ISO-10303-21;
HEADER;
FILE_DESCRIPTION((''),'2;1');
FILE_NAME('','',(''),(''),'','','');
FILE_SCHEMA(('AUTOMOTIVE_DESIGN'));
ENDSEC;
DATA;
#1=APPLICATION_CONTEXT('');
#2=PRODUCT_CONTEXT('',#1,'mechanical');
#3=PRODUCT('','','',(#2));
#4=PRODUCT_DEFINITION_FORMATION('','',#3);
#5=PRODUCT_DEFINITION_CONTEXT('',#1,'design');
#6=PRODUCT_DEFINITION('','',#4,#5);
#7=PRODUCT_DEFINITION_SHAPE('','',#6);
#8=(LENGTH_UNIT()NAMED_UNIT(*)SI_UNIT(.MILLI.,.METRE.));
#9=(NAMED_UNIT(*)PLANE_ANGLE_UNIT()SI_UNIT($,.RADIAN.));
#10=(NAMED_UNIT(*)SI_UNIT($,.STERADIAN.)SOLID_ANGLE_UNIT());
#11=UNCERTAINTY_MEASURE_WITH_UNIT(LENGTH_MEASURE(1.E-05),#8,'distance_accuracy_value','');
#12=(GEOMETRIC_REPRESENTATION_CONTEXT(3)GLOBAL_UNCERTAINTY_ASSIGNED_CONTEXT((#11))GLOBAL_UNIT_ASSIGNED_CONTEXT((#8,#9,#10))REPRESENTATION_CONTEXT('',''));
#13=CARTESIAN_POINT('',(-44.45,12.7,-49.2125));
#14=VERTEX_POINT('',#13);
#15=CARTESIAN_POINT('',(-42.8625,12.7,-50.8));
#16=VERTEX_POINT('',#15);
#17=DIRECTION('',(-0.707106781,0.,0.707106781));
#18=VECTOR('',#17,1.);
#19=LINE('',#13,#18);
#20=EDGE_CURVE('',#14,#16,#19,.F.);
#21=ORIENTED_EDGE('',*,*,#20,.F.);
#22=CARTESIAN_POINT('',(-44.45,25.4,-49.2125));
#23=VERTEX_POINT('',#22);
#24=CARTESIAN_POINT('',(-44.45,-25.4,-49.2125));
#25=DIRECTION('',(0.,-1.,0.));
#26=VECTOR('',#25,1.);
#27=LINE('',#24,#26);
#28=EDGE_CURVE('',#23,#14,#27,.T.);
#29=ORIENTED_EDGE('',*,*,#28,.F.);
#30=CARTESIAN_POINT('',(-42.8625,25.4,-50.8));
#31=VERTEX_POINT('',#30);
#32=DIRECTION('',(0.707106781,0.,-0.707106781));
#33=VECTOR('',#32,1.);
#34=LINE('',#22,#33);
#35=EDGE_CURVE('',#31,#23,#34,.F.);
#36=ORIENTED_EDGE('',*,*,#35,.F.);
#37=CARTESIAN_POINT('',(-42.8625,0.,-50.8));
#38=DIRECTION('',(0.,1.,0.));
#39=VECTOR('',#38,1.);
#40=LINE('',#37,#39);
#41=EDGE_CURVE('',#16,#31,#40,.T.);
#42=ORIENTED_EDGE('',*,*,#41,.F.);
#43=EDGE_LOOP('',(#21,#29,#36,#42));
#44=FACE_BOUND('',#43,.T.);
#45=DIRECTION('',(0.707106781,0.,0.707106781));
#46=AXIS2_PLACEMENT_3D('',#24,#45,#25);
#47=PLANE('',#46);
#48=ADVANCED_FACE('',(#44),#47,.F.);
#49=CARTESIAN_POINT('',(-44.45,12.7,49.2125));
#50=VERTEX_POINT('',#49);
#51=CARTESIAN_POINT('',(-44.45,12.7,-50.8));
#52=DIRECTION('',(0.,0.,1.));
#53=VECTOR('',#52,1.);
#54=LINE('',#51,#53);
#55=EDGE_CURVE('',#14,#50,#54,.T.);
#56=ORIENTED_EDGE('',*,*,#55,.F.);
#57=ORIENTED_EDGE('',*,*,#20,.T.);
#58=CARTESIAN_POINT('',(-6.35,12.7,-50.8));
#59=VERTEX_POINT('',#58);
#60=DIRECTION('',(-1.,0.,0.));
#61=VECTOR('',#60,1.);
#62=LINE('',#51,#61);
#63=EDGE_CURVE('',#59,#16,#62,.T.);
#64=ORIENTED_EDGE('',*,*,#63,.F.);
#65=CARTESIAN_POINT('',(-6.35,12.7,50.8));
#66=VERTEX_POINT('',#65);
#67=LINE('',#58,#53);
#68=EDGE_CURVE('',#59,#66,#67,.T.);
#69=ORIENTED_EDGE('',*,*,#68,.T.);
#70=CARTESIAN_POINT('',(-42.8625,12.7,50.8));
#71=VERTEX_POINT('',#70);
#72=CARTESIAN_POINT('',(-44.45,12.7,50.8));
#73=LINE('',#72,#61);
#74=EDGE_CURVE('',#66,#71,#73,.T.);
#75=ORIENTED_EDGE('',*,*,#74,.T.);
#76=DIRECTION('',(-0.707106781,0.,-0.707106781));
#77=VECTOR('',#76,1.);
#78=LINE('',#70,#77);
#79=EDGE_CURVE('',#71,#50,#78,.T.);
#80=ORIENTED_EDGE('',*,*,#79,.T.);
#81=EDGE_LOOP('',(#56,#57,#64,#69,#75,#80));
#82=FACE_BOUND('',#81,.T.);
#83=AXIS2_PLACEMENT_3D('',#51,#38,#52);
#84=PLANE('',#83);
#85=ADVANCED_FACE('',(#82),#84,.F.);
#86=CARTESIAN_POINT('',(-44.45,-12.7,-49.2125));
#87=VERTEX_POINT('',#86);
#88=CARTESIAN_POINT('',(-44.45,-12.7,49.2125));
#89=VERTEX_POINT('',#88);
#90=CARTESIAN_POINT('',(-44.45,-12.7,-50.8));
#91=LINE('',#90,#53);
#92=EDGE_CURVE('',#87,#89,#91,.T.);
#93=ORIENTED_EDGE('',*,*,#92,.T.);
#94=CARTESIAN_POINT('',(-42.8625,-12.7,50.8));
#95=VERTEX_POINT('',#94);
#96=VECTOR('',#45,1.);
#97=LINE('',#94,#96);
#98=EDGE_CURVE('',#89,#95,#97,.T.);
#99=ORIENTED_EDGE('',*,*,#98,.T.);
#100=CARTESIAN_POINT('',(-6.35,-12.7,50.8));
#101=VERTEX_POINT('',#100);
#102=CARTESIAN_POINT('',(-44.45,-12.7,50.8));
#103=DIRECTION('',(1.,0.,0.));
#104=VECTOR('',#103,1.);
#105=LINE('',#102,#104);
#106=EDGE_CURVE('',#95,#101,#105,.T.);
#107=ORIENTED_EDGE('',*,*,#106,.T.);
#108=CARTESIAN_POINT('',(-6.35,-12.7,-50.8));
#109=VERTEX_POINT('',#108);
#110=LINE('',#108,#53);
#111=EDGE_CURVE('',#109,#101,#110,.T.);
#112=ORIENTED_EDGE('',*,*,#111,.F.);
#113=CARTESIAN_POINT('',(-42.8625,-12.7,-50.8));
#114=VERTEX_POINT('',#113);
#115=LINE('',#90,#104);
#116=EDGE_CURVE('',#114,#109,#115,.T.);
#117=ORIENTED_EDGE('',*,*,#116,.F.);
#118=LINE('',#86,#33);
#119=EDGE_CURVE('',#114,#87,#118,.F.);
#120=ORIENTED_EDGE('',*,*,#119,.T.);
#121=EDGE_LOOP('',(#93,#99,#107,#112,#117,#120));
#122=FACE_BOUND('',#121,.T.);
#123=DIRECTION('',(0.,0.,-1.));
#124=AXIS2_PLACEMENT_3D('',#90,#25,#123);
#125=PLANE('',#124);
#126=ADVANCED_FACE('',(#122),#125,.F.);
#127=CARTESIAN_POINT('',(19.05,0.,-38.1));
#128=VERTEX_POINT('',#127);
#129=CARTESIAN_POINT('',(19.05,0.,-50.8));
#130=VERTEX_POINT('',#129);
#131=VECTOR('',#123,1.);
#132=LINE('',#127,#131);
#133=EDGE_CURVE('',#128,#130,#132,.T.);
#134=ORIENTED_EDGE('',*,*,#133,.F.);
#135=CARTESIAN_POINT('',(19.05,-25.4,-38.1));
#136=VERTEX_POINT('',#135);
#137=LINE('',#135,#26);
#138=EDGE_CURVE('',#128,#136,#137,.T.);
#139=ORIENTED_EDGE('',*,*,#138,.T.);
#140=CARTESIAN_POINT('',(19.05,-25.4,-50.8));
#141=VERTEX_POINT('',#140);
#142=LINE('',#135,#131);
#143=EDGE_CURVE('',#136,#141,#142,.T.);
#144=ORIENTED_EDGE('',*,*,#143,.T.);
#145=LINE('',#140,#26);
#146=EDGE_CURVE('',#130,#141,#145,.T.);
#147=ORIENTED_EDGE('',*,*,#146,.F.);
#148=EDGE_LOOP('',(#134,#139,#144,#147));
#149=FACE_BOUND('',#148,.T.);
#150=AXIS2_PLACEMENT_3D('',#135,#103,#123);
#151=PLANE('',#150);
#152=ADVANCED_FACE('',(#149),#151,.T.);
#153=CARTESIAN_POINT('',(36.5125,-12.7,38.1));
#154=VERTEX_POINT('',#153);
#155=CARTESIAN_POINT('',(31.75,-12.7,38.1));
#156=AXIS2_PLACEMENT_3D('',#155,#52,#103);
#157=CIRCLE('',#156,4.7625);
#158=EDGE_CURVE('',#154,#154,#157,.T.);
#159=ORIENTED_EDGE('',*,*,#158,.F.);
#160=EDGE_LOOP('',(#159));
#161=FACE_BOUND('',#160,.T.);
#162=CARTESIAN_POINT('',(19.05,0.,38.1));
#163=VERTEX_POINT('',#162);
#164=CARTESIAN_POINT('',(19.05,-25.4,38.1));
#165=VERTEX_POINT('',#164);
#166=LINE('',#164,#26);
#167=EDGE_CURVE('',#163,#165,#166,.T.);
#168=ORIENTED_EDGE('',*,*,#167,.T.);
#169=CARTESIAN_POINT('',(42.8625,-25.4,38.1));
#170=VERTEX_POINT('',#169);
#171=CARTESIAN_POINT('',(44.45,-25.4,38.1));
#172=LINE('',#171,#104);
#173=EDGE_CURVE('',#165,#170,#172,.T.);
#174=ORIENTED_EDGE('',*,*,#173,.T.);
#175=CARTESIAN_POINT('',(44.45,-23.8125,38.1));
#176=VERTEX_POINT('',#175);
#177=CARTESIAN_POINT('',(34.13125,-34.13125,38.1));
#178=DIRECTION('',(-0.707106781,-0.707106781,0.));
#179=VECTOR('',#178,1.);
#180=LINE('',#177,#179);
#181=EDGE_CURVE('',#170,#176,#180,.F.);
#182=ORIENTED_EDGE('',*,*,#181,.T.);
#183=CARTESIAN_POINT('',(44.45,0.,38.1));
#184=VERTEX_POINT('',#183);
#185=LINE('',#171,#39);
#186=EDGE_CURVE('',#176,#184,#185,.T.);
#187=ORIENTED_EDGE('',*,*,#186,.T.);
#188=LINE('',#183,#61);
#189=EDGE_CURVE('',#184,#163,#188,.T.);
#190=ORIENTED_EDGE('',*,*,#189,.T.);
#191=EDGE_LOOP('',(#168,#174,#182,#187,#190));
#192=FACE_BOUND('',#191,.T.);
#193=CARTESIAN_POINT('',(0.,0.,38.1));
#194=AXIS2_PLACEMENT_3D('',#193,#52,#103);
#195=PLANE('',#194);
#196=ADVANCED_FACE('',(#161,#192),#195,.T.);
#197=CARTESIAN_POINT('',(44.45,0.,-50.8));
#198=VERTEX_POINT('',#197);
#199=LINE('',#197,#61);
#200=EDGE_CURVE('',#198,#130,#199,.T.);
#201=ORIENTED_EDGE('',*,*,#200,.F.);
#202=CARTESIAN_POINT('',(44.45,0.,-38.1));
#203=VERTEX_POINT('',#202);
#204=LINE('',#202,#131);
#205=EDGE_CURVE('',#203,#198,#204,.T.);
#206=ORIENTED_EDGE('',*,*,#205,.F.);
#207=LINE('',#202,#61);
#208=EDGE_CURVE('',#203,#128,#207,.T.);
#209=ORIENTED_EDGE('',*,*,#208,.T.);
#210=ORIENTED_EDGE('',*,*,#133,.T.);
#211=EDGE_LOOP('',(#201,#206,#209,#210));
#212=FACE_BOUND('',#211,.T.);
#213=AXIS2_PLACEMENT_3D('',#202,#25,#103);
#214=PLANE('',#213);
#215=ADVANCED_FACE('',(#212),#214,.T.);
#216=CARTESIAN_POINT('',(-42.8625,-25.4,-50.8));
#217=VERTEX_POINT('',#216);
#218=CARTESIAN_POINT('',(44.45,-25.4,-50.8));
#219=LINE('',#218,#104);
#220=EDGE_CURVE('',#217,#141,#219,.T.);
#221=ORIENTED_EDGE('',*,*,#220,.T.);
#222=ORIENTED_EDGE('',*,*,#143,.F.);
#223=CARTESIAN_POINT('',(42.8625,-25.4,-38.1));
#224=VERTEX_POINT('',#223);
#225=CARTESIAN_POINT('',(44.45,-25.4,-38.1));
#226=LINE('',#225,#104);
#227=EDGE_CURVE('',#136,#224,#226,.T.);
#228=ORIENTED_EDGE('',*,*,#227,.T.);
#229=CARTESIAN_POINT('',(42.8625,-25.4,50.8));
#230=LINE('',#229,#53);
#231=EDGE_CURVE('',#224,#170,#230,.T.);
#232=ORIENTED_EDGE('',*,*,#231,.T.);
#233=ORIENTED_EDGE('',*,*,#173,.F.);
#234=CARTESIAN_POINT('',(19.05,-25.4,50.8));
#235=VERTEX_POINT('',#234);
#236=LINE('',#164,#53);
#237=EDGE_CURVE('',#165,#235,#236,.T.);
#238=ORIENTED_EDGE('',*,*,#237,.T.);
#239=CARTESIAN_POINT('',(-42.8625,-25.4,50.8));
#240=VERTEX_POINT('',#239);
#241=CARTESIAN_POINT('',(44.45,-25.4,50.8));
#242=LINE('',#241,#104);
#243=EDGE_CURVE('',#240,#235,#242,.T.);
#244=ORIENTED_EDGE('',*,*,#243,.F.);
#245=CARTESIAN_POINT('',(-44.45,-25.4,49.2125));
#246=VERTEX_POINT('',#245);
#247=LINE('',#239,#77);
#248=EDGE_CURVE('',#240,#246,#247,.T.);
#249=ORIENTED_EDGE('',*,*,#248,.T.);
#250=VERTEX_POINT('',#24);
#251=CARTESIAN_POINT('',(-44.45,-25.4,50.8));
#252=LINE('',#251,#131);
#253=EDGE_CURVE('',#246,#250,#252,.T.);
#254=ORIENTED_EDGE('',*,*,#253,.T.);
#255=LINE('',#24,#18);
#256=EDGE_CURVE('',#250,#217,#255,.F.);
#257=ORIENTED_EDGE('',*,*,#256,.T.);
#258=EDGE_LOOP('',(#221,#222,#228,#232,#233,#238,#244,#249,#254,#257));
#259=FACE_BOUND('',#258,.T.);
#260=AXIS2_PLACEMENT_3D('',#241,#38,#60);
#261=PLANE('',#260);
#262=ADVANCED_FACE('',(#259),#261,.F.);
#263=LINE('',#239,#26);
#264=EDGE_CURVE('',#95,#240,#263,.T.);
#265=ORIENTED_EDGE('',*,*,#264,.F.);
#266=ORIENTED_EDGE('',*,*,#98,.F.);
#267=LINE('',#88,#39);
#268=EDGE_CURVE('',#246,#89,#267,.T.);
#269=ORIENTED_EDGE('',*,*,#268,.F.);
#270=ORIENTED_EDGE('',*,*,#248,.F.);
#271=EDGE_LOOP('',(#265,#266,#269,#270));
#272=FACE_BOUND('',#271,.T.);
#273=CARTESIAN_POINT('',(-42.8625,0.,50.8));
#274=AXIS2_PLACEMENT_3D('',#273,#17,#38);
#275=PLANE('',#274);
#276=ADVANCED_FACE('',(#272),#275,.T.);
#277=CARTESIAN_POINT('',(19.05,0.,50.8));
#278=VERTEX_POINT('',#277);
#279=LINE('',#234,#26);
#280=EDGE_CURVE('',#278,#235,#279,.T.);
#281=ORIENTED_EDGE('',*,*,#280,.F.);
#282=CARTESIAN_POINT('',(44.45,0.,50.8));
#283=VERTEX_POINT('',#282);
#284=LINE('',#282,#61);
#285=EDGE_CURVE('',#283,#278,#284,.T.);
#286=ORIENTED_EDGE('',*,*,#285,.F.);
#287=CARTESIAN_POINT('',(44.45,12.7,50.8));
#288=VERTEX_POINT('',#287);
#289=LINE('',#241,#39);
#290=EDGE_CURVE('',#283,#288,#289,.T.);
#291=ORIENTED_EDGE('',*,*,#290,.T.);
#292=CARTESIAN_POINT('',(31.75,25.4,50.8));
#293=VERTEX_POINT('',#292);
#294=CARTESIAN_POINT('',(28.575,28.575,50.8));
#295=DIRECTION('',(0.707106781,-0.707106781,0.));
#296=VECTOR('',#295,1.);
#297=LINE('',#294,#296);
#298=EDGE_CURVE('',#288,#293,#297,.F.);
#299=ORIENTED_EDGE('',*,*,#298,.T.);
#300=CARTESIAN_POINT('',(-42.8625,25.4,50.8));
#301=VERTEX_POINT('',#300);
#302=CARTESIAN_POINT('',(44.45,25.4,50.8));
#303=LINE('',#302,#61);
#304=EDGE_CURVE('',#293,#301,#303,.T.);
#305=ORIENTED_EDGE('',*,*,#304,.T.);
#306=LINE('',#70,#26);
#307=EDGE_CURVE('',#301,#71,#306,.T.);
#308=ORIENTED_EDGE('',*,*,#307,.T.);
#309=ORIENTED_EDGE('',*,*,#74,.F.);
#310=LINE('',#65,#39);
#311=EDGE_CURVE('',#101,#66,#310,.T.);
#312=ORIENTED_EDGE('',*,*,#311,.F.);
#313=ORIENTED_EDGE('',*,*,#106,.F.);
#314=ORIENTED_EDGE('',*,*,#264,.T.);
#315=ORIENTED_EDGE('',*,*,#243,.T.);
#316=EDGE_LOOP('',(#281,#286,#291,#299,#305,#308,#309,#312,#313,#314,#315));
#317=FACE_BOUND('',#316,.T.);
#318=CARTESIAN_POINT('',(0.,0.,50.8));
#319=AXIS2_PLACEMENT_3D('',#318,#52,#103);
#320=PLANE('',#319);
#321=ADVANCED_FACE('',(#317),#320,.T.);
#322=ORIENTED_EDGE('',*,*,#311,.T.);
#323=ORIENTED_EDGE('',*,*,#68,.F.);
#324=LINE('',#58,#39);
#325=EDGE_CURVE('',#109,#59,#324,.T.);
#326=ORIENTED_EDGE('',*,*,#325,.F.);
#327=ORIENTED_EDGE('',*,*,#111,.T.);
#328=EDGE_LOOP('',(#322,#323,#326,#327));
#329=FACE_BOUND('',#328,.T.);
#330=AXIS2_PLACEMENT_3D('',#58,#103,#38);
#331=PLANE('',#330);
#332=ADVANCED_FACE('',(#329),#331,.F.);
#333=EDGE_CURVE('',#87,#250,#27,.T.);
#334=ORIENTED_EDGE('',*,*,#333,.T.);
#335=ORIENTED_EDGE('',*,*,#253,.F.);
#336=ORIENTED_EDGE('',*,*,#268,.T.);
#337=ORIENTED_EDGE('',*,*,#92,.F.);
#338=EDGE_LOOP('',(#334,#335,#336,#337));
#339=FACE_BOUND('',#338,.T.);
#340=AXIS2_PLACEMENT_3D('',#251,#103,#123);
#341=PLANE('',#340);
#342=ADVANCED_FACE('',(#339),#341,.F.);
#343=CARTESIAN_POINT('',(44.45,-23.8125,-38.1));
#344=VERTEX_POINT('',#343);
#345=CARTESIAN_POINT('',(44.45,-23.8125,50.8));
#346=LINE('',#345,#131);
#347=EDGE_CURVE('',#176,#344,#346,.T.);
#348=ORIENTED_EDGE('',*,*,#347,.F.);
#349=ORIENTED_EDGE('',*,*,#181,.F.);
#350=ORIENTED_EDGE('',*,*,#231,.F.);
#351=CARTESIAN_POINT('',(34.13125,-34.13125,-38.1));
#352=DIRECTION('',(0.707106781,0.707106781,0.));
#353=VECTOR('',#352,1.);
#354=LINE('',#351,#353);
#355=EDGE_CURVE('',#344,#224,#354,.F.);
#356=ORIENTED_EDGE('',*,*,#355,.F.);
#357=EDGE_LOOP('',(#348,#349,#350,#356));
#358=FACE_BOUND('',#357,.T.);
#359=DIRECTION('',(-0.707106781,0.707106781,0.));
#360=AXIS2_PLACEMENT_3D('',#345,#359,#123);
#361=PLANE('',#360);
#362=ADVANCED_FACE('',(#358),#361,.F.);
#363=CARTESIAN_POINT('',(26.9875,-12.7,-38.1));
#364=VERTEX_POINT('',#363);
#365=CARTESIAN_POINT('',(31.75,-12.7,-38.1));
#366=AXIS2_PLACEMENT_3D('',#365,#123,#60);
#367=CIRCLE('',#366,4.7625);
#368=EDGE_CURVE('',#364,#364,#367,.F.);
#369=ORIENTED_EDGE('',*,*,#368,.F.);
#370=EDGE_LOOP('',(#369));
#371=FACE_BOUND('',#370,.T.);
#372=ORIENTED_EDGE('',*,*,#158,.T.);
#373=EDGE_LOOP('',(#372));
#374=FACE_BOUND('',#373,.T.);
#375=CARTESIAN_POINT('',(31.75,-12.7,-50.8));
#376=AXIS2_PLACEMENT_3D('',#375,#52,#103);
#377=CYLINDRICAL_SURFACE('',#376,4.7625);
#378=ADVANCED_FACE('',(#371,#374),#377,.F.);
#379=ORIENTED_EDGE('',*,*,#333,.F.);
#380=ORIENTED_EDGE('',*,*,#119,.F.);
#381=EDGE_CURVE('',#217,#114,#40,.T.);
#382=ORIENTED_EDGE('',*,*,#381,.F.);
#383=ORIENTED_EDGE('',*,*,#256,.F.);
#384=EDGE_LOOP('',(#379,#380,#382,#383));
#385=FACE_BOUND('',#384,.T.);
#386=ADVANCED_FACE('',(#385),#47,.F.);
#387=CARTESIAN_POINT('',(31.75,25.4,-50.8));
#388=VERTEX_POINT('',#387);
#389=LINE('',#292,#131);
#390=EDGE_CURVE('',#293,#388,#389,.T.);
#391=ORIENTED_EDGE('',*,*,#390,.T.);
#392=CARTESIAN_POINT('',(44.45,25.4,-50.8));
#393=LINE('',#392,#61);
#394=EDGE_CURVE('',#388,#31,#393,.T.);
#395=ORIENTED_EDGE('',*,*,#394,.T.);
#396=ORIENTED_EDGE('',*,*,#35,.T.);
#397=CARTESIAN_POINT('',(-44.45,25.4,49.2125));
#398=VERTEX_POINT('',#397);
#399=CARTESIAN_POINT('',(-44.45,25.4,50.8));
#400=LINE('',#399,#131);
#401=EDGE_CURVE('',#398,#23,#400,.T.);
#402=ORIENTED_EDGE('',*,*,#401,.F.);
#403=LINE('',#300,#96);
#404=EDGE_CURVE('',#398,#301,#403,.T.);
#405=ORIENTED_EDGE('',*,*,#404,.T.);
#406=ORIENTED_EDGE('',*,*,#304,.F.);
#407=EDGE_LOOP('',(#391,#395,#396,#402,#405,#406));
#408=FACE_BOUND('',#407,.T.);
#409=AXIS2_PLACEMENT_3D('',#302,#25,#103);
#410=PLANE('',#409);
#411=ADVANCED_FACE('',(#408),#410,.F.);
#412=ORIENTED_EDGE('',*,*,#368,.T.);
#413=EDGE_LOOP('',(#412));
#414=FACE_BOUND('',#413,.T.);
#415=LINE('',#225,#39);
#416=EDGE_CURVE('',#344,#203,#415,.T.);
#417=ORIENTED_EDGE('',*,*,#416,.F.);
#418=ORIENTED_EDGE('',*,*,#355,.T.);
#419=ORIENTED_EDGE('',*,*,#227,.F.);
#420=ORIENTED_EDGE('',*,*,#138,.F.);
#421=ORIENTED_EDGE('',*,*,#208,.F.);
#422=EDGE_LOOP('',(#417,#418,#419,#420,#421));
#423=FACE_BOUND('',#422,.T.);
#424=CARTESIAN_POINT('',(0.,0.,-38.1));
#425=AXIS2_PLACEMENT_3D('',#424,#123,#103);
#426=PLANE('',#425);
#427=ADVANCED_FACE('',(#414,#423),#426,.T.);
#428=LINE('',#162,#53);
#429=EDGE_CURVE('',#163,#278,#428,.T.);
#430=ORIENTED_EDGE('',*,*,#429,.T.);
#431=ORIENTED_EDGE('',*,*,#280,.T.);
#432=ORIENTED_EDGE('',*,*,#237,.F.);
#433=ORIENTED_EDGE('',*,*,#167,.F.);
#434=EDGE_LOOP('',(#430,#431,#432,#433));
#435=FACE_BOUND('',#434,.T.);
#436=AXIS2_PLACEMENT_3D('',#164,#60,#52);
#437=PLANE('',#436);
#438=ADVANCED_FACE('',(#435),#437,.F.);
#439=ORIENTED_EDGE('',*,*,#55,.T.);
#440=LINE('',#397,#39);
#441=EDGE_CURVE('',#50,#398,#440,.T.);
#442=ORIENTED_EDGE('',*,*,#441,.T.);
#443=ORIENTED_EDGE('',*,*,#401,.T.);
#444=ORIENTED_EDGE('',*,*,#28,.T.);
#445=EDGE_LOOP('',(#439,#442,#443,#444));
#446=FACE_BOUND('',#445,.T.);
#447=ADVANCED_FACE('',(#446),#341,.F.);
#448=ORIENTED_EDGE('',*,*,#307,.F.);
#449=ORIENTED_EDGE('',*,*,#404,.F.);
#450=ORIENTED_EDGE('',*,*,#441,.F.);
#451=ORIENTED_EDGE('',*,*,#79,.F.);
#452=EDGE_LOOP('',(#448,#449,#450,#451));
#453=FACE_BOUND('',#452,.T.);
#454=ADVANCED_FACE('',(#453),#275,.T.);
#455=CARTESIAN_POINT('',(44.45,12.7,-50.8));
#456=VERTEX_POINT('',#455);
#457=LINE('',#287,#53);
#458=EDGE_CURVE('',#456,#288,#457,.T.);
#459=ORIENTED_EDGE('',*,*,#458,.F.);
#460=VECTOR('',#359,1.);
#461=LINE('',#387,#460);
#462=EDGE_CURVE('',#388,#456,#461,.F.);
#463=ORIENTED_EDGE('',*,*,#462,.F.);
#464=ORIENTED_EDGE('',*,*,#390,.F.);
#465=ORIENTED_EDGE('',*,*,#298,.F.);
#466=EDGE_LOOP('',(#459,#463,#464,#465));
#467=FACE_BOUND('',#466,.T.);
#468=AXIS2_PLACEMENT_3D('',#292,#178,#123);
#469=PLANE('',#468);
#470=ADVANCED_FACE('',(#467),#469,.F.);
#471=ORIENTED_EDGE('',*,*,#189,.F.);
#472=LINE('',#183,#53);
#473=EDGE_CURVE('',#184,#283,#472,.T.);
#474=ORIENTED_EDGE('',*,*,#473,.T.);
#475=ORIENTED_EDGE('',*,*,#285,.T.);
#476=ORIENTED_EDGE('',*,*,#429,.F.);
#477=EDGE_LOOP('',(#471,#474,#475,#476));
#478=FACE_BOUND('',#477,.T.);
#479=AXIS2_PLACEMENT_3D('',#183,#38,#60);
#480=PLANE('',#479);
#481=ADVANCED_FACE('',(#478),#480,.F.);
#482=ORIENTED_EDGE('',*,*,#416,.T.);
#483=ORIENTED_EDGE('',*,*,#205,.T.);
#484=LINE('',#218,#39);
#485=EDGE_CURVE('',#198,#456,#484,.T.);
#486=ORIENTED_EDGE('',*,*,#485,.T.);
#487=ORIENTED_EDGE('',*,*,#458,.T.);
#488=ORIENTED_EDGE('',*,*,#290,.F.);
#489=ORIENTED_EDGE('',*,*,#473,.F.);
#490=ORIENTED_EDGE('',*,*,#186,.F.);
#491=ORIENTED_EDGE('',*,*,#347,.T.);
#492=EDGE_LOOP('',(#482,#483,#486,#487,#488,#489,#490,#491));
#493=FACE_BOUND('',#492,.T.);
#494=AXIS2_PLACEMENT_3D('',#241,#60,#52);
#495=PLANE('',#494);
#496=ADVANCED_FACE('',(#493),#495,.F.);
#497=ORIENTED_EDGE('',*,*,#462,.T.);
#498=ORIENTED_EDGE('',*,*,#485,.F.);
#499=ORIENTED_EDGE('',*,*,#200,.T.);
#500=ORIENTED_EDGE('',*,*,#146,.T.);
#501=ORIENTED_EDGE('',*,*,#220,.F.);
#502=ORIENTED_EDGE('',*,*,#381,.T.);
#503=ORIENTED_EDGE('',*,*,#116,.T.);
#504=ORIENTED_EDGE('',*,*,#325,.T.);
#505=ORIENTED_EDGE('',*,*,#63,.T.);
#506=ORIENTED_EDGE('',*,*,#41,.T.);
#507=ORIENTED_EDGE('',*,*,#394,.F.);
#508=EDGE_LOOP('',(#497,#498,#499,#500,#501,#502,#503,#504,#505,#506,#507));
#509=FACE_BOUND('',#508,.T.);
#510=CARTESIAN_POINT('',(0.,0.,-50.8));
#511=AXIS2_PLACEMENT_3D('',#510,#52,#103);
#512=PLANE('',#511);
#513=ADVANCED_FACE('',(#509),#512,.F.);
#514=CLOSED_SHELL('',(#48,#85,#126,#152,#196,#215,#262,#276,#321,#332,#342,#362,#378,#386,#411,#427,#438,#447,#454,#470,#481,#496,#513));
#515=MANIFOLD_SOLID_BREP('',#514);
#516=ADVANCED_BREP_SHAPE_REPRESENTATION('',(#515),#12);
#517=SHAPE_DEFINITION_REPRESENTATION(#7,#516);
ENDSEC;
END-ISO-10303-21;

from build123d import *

# Parameters (mm, degrees)
SKETCH1_W           = 88.9
SKETCH1_H           = 50.8
BOSS_EXTRUDE1_DEPTH = 50.8
SKETCH2_W           = 25.4
SKETCH2_H           = 25.4
CUT_EXTRUDE1_DEPTH  = 12.7
SKETCH3_R           = 4.7625
CUT_EXTRUDE2_DEPTH  = 103.587389576
SKETCH4_W           = 38.1
SKETCH4_H           = 25.4
CUT_EXTRUDE3_DEPTH  = 114.769602707
CHAMFER1_SIZE       = 12.7
CHAMFER2_SIZE       = 1.5875


with BuildPart() as part:
    # Sketch1 → Boss-Extrude1 (new, symmetric)
    with BuildSketch(Plane.XY):
        Rectangle(SKETCH1_W, SKETCH1_H)
    extrude(amount=BOSS_EXTRUDE1_DEPTH, both=True)

    # Sketch2 → Cut-Extrude1 (cut)
    with BuildSketch(Plane.XY.offset(50.8)):
        with Locations((31.75, -12.7)):
            Rectangle(SKETCH2_W, SKETCH2_H)
    cut_extrude1 = extrude(amount=-CUT_EXTRUDE1_DEPTH, mode=Mode.SUBTRACT)

    # Sketch3 → Cut-Extrude2 (cut, through all)
    with BuildSketch(Plane.XY.offset(38.1)):
        with Locations((31.75, -12.7)):
            Circle(SKETCH3_R)
    extrude(amount=-CUT_EXTRUDE2_DEPTH, mode=Mode.SUBTRACT)

    # Mirror1: Cut-Extrude1 across plane
    add(cut_extrude1.mirror(Plane.XY), mode=Mode.SUBTRACT)

    # Sketch4 → Cut-Extrude3 (cut, through all)
    with BuildSketch(Plane.XY.offset(50.8)):
        with Locations((-25.4, 0)):
            Rectangle(SKETCH4_W, SKETCH4_H)
    extrude(amount=-CUT_EXTRUDE3_DEPTH, mode=Mode.SUBTRACT)

    # Chamfer1
    chamfer1_edges = [part.edges().sort_by_distance(p)[0] for p in [
        (44.45, 25.4, 0),
    ]]
    chamfer(chamfer1_edges, length=CHAMFER1_SIZE)

    # Chamfer2
    chamfer2_edges = [part.edges().sort_by_distance(p)[0] for p in [
        (44.45, -25.4, 0),
        (-44.45, 19.05, 50.8),
        (-44.45, -19.05, 50.8),
        (-44.45, -19.05, -50.8),
        (-44.45, 19.05, -50.8),
    ]]
    chamfer(chamfer2_edges, length=CHAMFER2_SIZE)


solid = part.part
